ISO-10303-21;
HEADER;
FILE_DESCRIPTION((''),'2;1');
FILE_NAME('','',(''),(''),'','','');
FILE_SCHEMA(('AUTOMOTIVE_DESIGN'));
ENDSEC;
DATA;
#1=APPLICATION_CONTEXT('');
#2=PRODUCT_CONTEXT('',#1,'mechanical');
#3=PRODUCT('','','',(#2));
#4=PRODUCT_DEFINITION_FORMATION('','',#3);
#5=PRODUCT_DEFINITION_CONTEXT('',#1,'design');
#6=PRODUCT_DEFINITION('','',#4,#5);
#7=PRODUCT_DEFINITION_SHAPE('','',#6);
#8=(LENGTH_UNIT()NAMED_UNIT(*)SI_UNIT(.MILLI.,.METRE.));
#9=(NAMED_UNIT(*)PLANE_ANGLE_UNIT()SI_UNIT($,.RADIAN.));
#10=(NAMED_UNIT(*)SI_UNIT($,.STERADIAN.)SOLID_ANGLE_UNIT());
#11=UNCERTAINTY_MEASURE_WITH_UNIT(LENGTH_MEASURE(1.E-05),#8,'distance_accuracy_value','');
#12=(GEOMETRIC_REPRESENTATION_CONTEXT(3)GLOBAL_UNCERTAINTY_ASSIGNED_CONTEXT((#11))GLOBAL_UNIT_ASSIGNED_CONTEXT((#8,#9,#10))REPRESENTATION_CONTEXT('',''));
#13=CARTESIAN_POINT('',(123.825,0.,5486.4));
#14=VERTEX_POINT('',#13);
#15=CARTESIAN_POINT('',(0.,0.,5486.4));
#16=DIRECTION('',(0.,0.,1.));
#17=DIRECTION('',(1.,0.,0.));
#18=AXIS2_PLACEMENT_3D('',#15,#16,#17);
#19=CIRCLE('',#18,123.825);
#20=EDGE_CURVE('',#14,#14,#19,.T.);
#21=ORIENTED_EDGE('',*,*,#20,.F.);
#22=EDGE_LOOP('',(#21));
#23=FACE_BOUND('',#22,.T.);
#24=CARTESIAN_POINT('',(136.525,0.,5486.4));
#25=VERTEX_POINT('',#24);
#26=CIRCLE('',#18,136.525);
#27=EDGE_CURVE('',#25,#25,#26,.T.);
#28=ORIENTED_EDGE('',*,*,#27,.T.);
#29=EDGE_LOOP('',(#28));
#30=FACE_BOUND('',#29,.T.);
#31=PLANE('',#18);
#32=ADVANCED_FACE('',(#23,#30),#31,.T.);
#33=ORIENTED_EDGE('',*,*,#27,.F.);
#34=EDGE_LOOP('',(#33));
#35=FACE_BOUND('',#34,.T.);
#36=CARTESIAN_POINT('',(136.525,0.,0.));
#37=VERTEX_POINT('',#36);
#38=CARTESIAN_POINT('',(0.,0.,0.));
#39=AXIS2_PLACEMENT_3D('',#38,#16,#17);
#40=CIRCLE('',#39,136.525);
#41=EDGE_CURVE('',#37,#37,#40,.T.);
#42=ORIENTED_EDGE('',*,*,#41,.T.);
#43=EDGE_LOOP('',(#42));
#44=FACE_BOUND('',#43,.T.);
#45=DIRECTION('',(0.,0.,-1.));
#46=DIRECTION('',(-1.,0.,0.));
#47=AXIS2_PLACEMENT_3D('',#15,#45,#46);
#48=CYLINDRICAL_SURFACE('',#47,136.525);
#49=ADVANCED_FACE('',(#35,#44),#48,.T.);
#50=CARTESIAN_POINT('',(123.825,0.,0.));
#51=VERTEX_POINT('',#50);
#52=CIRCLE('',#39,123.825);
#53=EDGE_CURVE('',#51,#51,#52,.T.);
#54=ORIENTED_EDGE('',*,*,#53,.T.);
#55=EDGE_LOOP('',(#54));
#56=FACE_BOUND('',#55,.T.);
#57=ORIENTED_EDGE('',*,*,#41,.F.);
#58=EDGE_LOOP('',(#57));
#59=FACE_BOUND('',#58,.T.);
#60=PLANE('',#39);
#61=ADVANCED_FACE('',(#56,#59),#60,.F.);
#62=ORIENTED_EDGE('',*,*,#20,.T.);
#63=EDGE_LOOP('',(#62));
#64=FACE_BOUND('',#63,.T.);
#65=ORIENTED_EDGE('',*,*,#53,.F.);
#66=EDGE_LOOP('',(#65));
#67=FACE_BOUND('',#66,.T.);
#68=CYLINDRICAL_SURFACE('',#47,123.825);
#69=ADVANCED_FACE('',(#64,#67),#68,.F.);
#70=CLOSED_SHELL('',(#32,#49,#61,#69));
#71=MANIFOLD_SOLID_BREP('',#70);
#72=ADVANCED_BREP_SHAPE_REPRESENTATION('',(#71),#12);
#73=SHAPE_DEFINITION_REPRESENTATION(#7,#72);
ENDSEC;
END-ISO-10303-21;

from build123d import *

# Parameters (mm, degrees)
PIPESKETCH_R    = 136.525
PIPESKETCH_R_2  = 123.825
EXTRUSION_DEPTH = 5486.4


with BuildPart() as part:
    # PipeSketch → Extrusion (new body)
    with BuildSketch(Plane.XY):
        Circle(PIPESKETCH_R)
        Circle(PIPESKETCH_R_2, mode=Mode.SUBTRACT)
    extrude(amount=EXTRUSION_DEPTH)


solid = part.part
